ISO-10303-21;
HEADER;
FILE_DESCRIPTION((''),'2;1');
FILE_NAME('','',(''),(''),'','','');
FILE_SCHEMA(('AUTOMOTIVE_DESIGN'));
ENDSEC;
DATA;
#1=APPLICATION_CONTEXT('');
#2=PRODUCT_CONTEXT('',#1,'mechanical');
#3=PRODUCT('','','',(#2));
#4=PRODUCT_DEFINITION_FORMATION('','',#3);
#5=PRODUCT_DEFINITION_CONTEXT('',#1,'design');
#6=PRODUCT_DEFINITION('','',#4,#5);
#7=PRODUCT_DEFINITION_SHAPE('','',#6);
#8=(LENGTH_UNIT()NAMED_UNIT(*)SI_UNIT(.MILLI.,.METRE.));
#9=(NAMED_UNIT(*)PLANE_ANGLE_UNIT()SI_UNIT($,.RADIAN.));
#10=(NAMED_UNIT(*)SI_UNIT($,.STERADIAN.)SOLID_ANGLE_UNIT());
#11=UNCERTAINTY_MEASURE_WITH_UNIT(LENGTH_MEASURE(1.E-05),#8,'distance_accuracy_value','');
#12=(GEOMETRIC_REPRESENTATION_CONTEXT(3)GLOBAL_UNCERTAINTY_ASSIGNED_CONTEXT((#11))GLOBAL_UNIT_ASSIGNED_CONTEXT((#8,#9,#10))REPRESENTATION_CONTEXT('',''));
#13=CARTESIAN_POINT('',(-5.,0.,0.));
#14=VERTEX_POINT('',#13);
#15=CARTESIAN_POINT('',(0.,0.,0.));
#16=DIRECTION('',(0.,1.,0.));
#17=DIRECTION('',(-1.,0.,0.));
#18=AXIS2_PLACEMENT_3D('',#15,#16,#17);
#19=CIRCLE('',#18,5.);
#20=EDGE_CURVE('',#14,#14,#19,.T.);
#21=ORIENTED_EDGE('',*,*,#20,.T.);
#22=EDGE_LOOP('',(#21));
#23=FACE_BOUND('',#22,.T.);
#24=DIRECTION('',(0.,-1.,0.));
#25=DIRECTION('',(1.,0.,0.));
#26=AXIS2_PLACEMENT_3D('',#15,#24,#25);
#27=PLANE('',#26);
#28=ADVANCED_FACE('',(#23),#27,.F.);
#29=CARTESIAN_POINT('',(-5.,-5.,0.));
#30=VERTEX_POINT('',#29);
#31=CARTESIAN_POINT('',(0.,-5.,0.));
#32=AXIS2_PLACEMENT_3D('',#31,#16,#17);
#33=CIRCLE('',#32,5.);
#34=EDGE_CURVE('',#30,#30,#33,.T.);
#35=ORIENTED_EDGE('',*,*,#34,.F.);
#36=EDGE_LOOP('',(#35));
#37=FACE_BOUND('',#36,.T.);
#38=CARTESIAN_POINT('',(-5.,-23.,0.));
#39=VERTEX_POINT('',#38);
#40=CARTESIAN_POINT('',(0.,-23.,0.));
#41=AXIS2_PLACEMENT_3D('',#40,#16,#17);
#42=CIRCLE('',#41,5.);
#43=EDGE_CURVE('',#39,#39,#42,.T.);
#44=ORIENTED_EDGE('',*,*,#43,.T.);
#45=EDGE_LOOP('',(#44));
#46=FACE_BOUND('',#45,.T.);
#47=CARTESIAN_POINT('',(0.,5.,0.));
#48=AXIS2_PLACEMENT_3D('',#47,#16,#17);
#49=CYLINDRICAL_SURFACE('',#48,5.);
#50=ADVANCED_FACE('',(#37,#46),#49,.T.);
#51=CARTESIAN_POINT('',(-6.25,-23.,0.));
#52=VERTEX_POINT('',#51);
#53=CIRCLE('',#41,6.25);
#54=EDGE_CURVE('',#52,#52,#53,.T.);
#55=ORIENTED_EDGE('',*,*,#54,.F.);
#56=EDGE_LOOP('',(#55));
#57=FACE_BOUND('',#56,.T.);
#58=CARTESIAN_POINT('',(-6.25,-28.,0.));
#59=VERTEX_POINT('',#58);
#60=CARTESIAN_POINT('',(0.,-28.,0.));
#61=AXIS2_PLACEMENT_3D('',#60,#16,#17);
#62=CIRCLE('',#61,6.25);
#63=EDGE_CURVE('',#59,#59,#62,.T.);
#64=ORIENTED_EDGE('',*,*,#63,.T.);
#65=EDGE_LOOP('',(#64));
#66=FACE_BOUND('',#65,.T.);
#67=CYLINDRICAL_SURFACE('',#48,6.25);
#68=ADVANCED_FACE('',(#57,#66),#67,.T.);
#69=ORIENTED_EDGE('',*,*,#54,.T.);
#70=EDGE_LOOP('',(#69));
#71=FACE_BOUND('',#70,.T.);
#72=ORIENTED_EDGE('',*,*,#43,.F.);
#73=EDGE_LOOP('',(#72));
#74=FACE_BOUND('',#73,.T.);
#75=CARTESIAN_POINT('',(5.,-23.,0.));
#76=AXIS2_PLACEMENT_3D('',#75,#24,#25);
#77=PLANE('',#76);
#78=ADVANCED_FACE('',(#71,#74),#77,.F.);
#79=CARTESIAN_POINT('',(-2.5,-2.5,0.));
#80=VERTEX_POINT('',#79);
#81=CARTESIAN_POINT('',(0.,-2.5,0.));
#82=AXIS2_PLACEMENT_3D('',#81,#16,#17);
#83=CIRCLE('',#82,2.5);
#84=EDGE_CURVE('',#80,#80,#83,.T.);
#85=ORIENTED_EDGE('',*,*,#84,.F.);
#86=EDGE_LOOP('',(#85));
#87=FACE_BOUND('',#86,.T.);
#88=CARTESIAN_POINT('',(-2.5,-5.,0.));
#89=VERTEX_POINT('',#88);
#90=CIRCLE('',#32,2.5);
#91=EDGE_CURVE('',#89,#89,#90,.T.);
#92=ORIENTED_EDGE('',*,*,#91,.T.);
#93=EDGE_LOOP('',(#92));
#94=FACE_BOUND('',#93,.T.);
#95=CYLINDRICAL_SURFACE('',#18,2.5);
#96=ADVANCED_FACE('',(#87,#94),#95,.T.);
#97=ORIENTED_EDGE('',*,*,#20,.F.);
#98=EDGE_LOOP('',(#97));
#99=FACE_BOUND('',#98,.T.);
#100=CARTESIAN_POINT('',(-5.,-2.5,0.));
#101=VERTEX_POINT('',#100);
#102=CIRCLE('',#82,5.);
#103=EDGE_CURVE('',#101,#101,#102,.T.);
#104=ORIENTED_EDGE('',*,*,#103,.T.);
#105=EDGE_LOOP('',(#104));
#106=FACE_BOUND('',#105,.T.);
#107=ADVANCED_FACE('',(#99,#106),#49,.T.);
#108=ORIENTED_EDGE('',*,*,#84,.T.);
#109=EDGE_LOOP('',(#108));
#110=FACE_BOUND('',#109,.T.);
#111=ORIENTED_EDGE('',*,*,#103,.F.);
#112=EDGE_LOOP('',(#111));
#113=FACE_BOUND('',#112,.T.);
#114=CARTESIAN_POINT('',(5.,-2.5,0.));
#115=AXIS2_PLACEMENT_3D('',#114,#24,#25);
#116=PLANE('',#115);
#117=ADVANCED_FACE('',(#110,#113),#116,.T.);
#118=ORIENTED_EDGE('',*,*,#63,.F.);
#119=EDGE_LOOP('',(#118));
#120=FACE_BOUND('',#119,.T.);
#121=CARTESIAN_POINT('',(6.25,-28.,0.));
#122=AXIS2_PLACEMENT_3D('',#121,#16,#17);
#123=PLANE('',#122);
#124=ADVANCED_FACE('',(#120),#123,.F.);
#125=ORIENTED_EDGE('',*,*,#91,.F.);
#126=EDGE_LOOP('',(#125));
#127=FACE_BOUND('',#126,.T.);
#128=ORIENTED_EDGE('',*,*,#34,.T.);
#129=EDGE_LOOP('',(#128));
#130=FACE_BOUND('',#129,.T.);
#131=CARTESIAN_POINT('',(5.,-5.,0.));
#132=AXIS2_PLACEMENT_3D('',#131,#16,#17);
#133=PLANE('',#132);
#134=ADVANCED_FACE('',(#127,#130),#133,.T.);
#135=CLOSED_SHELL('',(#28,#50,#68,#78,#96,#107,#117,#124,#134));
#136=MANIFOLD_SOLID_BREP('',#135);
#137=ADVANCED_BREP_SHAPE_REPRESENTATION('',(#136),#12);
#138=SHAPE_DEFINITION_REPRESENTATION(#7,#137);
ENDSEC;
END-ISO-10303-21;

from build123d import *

# Parameters (mm, degrees)
SKETCH2_W = 2.5
SKETCH2_H = 2.5


with BuildPart() as part:
    # Sketch1 → Revolve1 (revolve)
    with BuildSketch(Plane.XY, mode=Mode.PRIVATE) as revolve1_sk:
        Polygon((0, 0), (5, 0), (5, -23), (6.25, -23), (6.25, -28), (0, -28), align=None)
    revolve(revolve1_sk.sketch.rotate(Axis((0, 5, 0), (0, -1, 0)), 180), axis=Axis((0, 5, 0), (0, -1, 0)))

    # Sketch2 → Cut-Revolve1 (revolve, cut)
    with BuildSketch(Plane.XY, mode=Mode.PRIVATE) as cut_revolve1_sk:
        with Locations((3.75, -3.75)):
            Rectangle(SKETCH2_W, SKETCH2_H)
    revolve(cut_revolve1_sk.sketch.rotate(Axis((0, 0, 0), (0, -1, 0)), 180), axis=Axis((0, 0, 0), (0, -1, 0)), mode=Mode.SUBTRACT)


solid = part.part
